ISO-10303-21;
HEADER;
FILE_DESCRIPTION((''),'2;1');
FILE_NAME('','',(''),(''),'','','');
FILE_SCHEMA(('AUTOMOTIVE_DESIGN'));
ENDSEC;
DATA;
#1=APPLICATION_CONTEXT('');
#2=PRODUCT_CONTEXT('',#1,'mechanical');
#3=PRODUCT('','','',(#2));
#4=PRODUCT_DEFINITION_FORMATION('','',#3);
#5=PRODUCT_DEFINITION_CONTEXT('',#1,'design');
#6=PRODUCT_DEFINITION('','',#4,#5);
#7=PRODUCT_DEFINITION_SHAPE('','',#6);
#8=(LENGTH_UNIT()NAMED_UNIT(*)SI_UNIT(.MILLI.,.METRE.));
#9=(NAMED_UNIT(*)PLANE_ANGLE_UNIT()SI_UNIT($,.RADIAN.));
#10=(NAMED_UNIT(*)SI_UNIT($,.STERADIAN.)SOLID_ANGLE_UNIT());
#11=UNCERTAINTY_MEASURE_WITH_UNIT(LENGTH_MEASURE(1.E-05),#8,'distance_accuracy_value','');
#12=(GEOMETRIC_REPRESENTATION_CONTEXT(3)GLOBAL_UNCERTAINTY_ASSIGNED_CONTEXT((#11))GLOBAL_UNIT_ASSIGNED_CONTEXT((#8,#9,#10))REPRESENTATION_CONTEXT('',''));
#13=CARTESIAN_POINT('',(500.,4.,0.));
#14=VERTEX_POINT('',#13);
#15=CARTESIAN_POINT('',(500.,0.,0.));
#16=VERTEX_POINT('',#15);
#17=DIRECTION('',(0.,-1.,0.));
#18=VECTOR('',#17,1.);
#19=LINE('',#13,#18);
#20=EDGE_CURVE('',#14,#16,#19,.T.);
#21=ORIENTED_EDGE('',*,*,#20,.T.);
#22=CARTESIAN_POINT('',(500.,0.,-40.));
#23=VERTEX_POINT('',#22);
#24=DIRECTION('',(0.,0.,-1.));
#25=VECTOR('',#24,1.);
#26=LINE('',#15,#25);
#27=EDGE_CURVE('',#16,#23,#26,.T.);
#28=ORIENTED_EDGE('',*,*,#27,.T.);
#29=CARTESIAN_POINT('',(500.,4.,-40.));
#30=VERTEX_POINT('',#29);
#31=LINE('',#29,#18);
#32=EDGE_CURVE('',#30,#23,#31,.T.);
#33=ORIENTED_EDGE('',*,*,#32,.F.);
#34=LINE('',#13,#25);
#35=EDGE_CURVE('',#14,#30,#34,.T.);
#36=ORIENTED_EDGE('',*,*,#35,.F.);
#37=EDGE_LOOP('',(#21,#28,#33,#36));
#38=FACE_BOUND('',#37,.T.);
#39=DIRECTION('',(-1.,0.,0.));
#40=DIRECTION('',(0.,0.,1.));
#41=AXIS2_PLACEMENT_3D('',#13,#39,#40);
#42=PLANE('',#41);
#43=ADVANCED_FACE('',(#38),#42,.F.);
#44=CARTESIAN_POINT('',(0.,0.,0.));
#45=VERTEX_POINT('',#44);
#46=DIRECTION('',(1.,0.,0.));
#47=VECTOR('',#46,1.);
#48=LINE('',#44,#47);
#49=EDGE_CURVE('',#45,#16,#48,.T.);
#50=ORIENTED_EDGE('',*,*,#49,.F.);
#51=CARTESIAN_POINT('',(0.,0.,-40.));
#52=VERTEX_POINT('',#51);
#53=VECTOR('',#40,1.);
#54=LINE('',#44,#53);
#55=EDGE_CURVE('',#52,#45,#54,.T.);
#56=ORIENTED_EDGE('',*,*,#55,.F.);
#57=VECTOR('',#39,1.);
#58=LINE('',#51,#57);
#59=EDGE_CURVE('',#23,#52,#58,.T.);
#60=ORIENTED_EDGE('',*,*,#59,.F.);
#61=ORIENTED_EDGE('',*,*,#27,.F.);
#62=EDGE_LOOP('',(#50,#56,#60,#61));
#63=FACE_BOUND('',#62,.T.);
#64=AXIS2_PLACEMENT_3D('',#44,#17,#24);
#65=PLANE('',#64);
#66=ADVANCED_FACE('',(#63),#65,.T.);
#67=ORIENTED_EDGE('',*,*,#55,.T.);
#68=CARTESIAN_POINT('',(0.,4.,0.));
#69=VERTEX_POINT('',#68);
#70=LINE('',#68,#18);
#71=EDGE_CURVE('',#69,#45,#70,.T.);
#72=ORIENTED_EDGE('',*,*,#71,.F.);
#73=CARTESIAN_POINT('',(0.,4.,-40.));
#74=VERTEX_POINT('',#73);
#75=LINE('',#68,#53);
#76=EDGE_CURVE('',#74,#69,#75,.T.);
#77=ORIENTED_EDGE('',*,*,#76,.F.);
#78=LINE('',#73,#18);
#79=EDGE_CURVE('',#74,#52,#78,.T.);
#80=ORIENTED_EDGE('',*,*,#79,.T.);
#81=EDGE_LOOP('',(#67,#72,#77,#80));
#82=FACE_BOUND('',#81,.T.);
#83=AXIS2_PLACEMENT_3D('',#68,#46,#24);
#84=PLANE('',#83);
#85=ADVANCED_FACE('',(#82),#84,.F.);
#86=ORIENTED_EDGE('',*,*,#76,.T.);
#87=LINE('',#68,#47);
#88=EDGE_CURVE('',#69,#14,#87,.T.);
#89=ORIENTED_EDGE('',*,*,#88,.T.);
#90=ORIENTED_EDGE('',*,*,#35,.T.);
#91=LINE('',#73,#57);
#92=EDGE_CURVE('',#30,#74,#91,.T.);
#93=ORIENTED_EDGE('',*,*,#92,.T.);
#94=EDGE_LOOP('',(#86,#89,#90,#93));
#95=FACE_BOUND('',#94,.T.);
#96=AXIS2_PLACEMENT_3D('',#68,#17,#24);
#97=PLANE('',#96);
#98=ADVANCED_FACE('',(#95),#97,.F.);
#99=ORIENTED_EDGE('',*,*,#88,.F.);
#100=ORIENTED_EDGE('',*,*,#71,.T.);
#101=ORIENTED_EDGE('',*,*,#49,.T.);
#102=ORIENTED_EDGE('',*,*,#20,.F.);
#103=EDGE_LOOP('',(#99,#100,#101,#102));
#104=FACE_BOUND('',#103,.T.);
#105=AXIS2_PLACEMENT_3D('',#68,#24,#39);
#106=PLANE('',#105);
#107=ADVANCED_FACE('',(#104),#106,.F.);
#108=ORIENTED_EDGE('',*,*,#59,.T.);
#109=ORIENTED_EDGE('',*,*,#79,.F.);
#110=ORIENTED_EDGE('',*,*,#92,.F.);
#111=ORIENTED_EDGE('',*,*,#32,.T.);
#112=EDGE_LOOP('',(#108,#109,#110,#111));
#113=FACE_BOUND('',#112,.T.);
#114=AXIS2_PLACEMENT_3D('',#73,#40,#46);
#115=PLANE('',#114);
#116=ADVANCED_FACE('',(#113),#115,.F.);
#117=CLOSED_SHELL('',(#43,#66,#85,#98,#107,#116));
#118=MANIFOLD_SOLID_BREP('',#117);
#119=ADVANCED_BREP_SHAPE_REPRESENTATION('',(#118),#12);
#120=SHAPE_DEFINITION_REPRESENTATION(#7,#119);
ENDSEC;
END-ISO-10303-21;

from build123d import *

# Parameters (mm, degrees)
SKETCH_1_W      = 500
SKETCH_1_H      = 40
EXTRUDE_1_DEPTH = 4


with BuildPart() as part:
    # Эскиз1 → Бобышка-Вытянуть1 (new body)
    with BuildSketch(Plane(origin=(0, 0, 0), x_dir=(1, 0, 0), z_dir=(0, 1, 0))):
        with Locations((250, 20)):
            Rectangle(SKETCH_1_W, SKETCH_1_H)
    extrude(amount=EXTRUDE_1_DEPTH)


solid = part.part
